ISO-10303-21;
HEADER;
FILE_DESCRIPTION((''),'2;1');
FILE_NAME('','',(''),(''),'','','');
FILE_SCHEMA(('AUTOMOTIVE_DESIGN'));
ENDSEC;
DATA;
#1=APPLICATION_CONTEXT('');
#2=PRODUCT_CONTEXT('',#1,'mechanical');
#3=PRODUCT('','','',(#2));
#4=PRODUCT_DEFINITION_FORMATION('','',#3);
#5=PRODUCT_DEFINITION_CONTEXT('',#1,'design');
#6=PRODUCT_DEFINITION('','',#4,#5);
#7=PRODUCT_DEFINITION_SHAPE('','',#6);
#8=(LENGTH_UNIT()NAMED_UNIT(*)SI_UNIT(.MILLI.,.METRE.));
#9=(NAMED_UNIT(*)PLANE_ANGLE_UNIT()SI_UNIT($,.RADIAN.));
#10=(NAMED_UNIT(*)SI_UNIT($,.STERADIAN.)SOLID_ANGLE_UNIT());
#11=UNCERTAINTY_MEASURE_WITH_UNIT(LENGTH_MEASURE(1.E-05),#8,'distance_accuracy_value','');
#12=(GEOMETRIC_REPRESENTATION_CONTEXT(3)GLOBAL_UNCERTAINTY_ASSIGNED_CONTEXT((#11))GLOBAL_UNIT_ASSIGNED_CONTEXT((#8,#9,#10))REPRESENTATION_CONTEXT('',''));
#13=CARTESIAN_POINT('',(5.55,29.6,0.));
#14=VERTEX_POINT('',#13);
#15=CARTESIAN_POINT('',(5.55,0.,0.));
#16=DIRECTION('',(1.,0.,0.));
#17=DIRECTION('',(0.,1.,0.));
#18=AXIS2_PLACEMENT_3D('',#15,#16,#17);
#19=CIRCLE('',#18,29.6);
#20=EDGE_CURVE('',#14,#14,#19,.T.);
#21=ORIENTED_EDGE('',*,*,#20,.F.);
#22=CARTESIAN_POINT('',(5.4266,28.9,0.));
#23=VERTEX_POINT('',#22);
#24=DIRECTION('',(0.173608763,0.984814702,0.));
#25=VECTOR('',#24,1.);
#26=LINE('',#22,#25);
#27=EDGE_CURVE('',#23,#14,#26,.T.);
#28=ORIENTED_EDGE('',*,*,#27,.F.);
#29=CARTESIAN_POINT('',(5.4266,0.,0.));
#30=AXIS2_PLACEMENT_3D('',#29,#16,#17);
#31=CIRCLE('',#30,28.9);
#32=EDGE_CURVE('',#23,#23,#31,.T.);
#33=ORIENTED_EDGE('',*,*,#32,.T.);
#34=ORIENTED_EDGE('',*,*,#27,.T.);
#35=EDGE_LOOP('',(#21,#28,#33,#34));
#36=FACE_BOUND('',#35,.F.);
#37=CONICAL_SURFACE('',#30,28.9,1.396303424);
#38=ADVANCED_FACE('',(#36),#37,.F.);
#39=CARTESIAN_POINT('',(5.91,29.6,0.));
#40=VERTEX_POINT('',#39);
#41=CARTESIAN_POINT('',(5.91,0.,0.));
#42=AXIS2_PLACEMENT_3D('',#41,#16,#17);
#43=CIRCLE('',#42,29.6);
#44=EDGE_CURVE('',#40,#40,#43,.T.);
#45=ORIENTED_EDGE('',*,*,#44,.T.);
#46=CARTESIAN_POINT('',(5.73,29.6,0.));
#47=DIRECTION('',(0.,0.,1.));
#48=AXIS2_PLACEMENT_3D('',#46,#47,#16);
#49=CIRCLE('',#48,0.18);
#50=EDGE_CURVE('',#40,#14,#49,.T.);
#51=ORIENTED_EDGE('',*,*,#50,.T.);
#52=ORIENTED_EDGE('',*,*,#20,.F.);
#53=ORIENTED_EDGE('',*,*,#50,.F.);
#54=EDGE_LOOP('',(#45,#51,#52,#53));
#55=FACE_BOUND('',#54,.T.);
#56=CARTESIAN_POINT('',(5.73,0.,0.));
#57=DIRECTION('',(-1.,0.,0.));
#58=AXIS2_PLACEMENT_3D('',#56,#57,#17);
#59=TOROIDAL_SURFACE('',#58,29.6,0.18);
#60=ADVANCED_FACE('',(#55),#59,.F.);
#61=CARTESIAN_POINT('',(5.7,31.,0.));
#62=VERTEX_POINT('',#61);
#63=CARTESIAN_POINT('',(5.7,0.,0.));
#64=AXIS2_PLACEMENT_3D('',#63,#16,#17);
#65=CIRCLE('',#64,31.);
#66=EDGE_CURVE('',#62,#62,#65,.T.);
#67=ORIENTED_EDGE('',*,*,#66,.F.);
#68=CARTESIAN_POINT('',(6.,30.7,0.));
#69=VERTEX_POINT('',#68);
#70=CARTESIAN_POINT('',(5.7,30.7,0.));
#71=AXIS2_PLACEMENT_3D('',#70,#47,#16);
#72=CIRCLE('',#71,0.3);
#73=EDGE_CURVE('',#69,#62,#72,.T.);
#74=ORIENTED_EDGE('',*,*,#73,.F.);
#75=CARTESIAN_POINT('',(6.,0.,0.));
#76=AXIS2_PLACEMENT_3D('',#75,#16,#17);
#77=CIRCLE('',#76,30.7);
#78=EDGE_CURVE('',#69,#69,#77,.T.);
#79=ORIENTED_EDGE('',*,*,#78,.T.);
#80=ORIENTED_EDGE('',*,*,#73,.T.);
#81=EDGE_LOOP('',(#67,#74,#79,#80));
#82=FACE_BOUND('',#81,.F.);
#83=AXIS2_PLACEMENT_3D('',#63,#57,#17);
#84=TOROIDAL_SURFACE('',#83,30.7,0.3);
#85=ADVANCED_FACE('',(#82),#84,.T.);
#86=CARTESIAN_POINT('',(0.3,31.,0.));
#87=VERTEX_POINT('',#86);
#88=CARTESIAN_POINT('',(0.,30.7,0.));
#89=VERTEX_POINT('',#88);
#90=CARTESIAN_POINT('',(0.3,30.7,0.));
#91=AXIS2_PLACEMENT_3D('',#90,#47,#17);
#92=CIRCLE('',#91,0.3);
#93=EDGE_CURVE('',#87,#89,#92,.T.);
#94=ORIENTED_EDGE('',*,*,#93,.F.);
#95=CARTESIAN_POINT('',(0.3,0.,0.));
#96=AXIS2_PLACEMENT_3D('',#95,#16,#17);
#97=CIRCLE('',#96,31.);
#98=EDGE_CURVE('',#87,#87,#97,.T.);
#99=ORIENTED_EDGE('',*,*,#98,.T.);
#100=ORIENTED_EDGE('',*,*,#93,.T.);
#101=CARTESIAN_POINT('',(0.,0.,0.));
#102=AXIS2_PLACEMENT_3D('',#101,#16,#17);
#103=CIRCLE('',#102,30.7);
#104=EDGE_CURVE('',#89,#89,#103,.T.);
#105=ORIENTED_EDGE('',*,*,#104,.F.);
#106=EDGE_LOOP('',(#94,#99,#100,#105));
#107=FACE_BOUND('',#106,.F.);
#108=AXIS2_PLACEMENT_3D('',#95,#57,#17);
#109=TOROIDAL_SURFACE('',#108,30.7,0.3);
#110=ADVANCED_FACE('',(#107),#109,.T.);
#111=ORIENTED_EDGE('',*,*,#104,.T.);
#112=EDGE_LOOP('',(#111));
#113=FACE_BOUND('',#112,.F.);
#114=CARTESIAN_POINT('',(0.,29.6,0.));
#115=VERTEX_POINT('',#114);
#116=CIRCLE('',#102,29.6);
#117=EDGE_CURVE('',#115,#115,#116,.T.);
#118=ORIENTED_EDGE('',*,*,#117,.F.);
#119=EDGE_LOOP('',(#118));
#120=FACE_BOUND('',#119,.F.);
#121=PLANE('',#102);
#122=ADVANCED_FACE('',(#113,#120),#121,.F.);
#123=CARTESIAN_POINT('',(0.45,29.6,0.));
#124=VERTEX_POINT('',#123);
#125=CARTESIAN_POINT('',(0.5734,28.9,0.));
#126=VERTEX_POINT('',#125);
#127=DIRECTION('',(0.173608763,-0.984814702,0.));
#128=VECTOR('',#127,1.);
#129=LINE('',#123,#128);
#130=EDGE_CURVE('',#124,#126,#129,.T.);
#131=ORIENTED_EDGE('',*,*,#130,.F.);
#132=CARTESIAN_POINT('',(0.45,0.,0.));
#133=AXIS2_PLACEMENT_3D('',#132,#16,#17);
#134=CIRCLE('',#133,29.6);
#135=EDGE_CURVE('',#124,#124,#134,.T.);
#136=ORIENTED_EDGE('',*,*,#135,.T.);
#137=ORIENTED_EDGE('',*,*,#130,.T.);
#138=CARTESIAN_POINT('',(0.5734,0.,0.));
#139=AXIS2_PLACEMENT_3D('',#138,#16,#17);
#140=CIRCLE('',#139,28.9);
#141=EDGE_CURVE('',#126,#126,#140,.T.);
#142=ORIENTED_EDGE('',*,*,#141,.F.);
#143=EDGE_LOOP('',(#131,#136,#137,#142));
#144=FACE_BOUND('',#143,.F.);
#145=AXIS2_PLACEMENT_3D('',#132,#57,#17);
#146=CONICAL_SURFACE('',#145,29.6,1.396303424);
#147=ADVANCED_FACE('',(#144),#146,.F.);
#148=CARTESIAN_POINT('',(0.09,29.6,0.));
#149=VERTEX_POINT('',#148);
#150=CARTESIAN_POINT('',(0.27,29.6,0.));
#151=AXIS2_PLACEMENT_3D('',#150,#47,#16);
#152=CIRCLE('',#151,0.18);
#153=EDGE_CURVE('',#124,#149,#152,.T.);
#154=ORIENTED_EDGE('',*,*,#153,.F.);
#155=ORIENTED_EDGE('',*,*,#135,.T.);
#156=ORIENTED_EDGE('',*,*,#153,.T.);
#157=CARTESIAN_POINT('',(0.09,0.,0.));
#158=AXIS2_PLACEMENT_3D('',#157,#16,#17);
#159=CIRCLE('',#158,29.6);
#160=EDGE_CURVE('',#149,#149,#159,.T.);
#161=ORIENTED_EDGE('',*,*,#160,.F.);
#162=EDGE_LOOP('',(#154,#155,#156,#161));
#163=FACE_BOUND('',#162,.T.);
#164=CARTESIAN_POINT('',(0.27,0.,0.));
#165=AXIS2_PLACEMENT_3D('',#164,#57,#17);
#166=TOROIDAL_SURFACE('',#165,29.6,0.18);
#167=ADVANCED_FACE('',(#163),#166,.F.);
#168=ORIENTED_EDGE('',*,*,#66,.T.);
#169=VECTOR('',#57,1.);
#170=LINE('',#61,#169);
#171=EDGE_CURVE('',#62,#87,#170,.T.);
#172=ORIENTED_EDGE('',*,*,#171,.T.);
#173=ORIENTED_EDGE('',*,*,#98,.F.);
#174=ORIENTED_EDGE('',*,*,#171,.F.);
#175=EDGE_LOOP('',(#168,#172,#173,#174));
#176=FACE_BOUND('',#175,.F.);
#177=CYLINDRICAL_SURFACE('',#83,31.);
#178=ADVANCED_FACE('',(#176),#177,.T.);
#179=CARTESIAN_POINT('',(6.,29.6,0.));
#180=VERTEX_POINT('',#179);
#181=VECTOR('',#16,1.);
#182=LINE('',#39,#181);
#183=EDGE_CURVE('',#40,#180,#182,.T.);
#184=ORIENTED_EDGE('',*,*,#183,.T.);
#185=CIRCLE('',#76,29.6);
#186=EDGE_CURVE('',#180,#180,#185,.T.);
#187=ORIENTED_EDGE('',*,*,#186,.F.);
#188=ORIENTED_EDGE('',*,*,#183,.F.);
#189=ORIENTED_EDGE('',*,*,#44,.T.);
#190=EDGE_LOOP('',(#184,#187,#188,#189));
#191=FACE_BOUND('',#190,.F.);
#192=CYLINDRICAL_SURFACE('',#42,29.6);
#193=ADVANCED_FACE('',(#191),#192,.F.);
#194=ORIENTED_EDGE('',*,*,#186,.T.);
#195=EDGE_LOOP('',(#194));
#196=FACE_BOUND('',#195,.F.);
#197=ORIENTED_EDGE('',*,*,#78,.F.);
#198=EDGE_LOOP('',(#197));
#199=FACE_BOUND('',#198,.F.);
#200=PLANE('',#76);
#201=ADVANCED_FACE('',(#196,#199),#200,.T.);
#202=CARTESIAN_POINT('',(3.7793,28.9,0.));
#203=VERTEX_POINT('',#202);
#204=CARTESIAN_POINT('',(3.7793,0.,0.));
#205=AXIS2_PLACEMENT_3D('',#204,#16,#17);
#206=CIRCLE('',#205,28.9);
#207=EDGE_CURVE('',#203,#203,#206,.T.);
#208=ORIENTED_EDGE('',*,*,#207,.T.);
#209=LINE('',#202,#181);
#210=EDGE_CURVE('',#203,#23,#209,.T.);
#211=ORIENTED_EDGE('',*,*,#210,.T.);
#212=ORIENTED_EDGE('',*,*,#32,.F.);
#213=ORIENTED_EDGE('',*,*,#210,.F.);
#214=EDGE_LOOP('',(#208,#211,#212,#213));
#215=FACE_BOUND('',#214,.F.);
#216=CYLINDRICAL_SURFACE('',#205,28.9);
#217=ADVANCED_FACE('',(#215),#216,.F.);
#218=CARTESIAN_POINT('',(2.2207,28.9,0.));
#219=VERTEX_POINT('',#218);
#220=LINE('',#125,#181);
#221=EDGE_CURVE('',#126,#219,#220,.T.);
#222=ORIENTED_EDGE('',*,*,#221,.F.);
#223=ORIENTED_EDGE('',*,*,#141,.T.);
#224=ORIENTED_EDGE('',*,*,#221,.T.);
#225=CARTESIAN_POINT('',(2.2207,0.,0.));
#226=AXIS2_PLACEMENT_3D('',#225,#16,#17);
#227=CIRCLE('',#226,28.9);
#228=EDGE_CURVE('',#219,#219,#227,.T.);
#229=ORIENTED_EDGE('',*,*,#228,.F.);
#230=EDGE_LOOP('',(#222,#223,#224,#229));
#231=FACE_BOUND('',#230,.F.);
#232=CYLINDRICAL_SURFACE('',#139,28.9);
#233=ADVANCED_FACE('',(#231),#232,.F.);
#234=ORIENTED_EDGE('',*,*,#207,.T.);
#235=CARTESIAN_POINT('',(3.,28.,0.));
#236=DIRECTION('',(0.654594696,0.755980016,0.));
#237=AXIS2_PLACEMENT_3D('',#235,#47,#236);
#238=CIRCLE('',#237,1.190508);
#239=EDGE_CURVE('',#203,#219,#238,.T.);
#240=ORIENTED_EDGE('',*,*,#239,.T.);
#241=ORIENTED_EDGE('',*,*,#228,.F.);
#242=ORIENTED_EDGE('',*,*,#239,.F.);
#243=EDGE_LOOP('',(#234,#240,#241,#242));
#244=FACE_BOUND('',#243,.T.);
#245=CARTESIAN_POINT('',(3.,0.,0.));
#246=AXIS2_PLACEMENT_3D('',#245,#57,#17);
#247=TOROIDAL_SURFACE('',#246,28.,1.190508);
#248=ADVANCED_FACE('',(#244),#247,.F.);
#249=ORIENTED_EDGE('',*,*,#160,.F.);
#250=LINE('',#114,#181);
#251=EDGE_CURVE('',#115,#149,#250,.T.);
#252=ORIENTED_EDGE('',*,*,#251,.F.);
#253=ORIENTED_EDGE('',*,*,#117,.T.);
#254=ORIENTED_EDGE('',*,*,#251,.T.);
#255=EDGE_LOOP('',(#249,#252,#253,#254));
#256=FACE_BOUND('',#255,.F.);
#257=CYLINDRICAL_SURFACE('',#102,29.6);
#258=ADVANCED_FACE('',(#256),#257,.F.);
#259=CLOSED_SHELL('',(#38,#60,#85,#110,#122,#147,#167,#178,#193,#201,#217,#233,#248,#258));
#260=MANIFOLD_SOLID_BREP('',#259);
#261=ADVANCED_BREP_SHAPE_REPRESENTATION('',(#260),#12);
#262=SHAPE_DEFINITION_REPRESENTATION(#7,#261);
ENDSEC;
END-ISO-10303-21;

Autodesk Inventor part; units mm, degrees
sketch "Sketch_15" plane through (0, 0, 0) normal (0, 0, 1) x (1, 0, 0)
  line L0 (50, 0) -> (-50, 0)
  line L1 (0, 29.6) -> (0.09, 29.6)
  arc A0 (0.45, 29.6) -> (0.09, 29.6) centre (0.27, 29.6) ccw
  line L2 (0.45, 29.6) -> (0.5734, 28.9)
  line L3 (0.5734, 28.9) -> (2.2207, 28.9)
  arc A1 (3.7793, 28.9) -> (2.2207, 28.9) centre (3, 28) ccw
  line L4 (3.7793, 28.9) -> (5.4266, 28.9)
  line L5 (5.4266, 28.9) -> (5.55, 29.6)
  arc A2 (5.91, 29.6) -> (5.55, 29.6) centre (5.73, 29.6) ccw
  line L6 (5.91, 29.6) -> (6, 29.6)
  line L7 (6, 29.6) -> (6, 30.7)
  arc A3 (6, 30.7) -> (5.7, 31) centre (5.7, 30.7) ccw
  line L8 (5.7, 31) -> (0.3, 31)
  arc A4 (0.3, 31) -> (0, 30.7) centre (0.3, 30.7) ccw
  line L9 (0, 30.7) -> (0, 29.6)
revolve "Revolution1" add sketch "Sketch_15" angle 360 about axis through (50, 0, 0) along (1, 0, 0)
ref_plane "or_XY" through (0, 0, 0) normal (0, 0, 1) x (1, 0, 0)
ref_plane "or_YZ" through (0, 0, 0) normal (1, 0, 0) x (0, 1, 0)
ref_plane "or_ZX" through (0, 0, 0) normal (0, 1, 0) x (0, 0, 1)
properties part number "SKF_W 61710_or"
